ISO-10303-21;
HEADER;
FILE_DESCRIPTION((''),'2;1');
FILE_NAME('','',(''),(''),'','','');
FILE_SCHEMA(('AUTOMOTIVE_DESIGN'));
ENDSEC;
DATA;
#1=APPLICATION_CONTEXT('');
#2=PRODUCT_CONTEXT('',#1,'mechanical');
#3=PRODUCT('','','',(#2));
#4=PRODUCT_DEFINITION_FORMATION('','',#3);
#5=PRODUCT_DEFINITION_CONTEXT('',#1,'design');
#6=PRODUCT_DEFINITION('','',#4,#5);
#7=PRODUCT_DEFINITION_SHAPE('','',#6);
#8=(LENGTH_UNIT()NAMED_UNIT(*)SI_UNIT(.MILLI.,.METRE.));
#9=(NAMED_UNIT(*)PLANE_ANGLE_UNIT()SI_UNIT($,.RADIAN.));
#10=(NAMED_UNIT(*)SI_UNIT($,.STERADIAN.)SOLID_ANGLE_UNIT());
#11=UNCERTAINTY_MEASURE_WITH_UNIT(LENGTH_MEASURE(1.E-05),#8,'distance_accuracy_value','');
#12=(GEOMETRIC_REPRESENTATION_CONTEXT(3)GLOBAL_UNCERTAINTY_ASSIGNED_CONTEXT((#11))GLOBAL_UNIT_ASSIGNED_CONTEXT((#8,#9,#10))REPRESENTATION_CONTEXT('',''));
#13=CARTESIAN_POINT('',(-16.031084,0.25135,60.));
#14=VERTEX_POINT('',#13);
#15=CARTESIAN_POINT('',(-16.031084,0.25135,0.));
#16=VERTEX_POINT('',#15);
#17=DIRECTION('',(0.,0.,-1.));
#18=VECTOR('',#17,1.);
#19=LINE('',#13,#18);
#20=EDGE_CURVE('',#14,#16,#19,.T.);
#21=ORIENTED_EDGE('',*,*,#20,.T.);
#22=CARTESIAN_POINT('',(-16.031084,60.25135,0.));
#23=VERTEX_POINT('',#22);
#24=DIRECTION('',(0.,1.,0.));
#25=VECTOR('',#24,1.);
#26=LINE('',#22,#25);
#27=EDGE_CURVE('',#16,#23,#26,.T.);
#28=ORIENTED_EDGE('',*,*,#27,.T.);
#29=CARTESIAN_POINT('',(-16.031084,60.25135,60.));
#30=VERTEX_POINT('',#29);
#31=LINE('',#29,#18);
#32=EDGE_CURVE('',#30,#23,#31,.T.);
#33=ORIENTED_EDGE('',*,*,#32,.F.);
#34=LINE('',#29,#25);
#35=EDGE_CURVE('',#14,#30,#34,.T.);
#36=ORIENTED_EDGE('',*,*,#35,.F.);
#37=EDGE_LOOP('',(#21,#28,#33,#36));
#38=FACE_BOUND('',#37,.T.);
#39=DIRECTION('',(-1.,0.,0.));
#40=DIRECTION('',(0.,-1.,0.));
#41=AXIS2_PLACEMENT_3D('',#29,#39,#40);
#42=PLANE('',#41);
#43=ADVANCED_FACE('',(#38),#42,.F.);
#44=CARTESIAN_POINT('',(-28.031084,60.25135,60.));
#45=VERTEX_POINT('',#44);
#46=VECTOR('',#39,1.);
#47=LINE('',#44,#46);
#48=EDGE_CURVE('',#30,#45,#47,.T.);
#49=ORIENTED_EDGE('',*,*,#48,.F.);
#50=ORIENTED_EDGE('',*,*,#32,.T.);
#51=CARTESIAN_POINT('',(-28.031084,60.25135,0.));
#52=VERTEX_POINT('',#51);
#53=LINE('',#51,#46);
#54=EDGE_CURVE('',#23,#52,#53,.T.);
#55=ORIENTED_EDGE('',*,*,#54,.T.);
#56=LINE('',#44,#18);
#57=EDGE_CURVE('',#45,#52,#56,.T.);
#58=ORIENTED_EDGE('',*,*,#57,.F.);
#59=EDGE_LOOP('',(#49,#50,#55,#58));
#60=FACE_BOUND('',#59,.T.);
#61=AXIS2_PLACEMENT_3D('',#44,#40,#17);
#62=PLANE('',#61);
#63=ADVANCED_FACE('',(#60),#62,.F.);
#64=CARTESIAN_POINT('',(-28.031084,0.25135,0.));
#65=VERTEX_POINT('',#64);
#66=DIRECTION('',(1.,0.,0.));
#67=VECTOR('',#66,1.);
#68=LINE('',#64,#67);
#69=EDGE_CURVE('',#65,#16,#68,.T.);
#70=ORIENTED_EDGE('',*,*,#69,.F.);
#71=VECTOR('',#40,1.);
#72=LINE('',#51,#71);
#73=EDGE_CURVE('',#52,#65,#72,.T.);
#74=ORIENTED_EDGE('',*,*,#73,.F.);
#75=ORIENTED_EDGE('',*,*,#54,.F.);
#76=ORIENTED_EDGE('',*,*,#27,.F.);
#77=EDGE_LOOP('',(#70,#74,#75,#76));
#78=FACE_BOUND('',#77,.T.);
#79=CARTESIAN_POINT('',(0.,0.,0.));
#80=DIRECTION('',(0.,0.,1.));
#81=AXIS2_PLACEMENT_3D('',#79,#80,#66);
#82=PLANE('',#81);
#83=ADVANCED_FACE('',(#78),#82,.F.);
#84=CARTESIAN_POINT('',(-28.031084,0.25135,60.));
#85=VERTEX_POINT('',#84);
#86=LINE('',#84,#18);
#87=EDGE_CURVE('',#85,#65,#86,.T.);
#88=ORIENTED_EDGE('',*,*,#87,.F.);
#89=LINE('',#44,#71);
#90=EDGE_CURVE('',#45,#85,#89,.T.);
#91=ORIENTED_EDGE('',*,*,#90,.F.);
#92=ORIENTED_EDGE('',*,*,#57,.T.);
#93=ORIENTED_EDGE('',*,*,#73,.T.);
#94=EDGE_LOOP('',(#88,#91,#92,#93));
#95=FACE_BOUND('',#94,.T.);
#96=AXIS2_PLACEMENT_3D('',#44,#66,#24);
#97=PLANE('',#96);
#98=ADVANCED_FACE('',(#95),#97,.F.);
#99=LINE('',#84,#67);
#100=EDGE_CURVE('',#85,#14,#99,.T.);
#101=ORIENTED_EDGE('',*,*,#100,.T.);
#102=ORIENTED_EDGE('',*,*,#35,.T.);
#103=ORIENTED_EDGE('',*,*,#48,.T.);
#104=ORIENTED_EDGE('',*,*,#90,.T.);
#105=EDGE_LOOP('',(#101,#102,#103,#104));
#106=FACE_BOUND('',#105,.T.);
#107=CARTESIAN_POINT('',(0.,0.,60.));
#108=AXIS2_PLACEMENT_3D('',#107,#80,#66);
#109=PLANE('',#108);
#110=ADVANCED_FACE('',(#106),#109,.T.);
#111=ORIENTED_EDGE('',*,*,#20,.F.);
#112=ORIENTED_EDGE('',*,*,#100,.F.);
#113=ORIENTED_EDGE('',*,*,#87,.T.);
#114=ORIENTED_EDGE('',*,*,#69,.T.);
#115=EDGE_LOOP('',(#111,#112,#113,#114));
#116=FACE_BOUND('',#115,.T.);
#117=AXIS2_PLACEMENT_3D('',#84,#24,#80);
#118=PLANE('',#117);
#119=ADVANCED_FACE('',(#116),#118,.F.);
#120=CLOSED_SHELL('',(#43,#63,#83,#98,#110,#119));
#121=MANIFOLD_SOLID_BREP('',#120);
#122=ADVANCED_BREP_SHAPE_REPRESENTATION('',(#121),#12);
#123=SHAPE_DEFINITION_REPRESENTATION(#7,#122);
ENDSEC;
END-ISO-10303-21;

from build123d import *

# Parameters (mm, degrees)
SZKIC1_W                    = 12
SZKIC1_H                    = 60
DODANIE_WYCI_GNI_CIE1_DEPTH = 60


with BuildPart() as part:
    # Szkic1 → Dodanie-wyciągnięcie1 (new body)
    with BuildSketch(Plane.XY):
        with Locations((-22.031083758, 30.251350229)):
            Rectangle(SZKIC1_W, SZKIC1_H)
    extrude(amount=DODANIE_WYCI_GNI_CIE1_DEPTH)


solid = part.part
